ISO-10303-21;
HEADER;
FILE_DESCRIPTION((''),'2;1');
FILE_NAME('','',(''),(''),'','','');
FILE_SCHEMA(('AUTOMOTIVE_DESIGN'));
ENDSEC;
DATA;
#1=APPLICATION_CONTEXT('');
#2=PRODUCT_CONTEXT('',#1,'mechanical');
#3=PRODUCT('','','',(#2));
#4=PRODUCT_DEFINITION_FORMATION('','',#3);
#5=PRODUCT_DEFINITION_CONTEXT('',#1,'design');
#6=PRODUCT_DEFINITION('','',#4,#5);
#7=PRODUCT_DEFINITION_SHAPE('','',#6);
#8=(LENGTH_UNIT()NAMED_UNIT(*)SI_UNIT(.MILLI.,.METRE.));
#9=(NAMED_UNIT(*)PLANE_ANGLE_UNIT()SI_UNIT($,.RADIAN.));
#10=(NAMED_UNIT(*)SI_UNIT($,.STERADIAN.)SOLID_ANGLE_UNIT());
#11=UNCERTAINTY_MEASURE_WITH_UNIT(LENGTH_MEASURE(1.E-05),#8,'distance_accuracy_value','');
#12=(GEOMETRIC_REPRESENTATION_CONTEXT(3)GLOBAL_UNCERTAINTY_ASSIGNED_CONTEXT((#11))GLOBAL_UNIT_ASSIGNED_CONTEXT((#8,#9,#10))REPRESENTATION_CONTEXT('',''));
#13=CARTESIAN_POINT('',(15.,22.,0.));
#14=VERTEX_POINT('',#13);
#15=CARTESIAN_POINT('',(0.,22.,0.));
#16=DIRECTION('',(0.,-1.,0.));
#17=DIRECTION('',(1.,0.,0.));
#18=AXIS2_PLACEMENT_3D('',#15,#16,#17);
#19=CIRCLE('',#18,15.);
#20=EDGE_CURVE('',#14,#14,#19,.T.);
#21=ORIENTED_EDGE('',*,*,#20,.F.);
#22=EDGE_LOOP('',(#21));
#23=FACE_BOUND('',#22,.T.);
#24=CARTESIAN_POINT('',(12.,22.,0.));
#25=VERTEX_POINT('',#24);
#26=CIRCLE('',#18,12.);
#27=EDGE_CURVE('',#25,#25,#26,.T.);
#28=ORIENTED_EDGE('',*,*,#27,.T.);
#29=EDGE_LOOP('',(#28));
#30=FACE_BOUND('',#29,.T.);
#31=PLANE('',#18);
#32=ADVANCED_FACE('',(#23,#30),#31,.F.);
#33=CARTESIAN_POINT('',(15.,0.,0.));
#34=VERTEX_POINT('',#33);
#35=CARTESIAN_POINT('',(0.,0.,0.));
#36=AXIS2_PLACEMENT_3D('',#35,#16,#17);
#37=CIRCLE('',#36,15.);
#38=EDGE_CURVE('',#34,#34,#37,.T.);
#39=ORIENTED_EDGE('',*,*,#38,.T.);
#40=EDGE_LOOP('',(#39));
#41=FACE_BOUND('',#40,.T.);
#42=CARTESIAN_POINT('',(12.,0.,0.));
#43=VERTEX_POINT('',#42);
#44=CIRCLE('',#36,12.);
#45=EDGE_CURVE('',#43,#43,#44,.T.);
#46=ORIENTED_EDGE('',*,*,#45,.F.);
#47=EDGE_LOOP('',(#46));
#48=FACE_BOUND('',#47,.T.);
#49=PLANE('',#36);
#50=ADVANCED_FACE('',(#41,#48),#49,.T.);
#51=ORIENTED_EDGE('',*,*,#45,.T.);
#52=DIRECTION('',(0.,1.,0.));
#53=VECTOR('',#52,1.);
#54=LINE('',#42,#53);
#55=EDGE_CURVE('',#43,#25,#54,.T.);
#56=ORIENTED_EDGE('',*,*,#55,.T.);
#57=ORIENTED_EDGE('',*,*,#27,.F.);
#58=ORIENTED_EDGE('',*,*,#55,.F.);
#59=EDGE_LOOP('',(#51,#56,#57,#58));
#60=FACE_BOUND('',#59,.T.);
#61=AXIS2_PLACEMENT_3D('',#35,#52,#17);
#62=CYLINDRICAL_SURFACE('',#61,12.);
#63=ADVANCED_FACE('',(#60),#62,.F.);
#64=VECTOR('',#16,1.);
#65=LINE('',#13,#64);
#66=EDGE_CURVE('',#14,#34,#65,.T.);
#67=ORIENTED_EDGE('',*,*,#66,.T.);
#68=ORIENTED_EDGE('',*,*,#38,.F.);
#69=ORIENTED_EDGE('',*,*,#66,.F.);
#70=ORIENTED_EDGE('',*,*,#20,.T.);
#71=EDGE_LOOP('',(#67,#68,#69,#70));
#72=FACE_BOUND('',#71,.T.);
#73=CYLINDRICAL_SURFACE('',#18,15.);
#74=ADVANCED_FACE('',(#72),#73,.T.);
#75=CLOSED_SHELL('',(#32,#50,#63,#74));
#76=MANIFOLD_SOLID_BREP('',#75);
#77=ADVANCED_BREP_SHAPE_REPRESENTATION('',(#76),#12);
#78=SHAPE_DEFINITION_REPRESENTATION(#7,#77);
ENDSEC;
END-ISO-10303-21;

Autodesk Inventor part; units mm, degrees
ref_plane "YZ Plane" through (0, 0, 0) normal (1, 0, 0) x (0, 1, 0)
ref_plane "XZ Plane" through (0, 0, 0) normal (0, 1, 0) x (-1, 0, 0)
ref_plane "XY Plane" through (0, 0, 0) normal (0, 0, 1) x (1, 0, 0)
sketch "Náčrt1" plane through (0, 0, 0) normal (0, 0, 1) x (1, 0, 0)
  line L0 (0, 22) -> (0, 0)
  line L1 (12, 22) -> (15, 22)
  line L2 (15, 22) -> (15, 0)
  line L3 (15, 0) -> (12, 0)
  line L4 (12, 0) -> (12, 22)
  dimension "d0" = 22
  dimension "d1" = 3
  dimension "d2" = 24
revolve "Rotace1" add sketch "Náčrt1" angle 360 about axis through (0, 22, 0) along (0, -1, 0)
properties part number "bublegum"
